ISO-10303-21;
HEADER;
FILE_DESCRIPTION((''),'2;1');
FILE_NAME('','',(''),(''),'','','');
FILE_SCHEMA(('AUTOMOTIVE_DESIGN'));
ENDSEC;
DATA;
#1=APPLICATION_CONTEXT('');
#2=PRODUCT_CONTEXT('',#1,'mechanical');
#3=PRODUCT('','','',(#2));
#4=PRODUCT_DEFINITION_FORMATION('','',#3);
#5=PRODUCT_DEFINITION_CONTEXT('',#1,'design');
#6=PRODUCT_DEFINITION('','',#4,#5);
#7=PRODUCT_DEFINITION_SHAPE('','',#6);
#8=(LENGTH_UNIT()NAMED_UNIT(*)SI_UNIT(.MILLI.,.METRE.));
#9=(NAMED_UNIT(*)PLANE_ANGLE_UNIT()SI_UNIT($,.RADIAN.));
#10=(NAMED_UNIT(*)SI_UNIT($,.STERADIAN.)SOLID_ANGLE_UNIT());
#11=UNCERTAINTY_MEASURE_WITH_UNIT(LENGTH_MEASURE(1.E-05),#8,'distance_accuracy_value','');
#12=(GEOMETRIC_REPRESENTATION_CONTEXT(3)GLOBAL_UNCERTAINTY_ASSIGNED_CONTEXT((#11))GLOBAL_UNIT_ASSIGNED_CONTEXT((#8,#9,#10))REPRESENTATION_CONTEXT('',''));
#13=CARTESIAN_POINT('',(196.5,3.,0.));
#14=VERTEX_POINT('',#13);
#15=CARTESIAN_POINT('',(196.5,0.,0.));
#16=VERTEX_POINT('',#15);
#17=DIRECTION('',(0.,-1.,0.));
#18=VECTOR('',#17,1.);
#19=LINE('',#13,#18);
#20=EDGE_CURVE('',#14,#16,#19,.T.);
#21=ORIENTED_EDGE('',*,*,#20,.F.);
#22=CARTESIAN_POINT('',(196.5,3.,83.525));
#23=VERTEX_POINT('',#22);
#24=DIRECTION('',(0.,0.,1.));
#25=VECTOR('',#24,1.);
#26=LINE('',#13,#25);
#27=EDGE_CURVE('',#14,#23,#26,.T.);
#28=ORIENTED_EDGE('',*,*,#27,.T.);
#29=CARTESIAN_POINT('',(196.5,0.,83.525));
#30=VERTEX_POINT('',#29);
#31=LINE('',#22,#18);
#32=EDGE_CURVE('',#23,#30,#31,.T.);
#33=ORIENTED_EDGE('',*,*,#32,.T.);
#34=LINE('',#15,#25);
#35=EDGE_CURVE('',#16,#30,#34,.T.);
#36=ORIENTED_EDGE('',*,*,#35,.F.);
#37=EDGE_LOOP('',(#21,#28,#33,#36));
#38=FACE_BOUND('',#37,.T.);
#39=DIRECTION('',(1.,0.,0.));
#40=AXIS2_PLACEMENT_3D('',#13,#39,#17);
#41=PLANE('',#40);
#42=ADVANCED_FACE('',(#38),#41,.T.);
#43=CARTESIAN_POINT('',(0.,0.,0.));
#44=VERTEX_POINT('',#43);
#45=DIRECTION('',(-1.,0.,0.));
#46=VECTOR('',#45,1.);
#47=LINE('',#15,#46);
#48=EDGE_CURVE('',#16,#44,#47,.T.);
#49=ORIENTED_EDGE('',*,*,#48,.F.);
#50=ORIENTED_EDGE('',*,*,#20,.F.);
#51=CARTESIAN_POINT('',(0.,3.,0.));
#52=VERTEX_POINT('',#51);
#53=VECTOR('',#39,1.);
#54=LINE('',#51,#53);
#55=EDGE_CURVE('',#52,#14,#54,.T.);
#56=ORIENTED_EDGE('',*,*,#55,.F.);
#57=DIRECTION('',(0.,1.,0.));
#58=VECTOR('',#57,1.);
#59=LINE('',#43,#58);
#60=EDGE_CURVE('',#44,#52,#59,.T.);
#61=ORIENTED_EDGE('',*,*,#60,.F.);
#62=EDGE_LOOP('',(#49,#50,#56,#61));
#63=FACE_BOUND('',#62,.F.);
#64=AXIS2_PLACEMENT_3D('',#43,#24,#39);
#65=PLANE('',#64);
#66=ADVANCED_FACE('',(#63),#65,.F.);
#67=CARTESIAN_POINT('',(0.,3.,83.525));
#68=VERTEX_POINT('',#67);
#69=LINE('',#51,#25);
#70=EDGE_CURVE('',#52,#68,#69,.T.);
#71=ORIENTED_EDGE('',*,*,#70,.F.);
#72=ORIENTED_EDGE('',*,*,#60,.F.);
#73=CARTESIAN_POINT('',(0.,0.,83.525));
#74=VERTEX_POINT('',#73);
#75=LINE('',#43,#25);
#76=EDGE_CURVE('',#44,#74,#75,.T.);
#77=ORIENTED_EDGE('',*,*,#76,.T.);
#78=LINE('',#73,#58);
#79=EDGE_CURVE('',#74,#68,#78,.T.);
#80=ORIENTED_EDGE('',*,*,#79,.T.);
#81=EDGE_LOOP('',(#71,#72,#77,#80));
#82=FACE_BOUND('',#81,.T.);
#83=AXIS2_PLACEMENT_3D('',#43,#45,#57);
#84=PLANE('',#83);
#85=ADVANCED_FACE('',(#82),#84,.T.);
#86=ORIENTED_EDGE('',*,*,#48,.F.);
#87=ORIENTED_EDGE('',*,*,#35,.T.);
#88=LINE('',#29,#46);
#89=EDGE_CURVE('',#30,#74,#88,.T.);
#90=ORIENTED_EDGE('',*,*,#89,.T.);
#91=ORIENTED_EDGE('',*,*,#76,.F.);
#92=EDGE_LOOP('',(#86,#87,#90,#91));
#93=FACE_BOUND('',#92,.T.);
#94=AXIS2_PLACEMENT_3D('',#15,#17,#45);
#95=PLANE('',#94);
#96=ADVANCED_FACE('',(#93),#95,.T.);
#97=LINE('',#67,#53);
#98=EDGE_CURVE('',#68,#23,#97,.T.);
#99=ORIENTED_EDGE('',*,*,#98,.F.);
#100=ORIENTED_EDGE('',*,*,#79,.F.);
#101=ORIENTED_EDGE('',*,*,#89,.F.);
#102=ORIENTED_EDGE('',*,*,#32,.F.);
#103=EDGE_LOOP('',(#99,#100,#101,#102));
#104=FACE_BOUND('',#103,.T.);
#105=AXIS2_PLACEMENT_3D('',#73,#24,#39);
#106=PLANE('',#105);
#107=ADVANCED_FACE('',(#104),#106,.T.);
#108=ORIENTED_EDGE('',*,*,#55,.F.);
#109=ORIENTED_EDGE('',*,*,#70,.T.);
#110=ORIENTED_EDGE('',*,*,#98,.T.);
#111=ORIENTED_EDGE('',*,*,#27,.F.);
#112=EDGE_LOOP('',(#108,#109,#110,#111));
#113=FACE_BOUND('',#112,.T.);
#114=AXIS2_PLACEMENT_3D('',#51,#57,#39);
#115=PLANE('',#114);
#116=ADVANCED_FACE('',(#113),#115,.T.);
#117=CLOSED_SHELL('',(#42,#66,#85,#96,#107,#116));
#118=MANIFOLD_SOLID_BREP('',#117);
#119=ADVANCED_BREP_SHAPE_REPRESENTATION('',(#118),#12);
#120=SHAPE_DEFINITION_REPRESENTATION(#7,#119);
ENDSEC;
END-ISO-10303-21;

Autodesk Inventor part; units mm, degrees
ref_plane "YZ Plane" through (0, 0, 0) normal (1, 0, 0) x (0, 1, 0)
ref_plane "XZ Plane" through (0, 0, 0) normal (0, 1, 0) x (-1, 0, 0)
ref_plane "XY Plane" through (0, 0, 0) normal (0, 0, 1) x (1, 0, 0)
sketch "Sketch6" plane through (0, 0, 0) normal (0, 0, 1) x (1, 0, 0)
  line L0 (0, 0) -> (0, 3)
  line L1 (0, 0) -> (3, 0) construction
  line L2 (0, 3) -> (196.5, 3)
  line L3 (196.5, 3) -> (196.5, 0)
  line L4 (196.5, 0) -> (0, 0)
  dimension "d85" = 3
  dimension "d86" = 90
  dimension "d87" = 196.5
  dimension "d88" = 3
  dimension "d89" = 90
extrude "Extrusion3" add sketch "Sketch6" along normal blind 83.525
properties material "Plywood, Finish"
